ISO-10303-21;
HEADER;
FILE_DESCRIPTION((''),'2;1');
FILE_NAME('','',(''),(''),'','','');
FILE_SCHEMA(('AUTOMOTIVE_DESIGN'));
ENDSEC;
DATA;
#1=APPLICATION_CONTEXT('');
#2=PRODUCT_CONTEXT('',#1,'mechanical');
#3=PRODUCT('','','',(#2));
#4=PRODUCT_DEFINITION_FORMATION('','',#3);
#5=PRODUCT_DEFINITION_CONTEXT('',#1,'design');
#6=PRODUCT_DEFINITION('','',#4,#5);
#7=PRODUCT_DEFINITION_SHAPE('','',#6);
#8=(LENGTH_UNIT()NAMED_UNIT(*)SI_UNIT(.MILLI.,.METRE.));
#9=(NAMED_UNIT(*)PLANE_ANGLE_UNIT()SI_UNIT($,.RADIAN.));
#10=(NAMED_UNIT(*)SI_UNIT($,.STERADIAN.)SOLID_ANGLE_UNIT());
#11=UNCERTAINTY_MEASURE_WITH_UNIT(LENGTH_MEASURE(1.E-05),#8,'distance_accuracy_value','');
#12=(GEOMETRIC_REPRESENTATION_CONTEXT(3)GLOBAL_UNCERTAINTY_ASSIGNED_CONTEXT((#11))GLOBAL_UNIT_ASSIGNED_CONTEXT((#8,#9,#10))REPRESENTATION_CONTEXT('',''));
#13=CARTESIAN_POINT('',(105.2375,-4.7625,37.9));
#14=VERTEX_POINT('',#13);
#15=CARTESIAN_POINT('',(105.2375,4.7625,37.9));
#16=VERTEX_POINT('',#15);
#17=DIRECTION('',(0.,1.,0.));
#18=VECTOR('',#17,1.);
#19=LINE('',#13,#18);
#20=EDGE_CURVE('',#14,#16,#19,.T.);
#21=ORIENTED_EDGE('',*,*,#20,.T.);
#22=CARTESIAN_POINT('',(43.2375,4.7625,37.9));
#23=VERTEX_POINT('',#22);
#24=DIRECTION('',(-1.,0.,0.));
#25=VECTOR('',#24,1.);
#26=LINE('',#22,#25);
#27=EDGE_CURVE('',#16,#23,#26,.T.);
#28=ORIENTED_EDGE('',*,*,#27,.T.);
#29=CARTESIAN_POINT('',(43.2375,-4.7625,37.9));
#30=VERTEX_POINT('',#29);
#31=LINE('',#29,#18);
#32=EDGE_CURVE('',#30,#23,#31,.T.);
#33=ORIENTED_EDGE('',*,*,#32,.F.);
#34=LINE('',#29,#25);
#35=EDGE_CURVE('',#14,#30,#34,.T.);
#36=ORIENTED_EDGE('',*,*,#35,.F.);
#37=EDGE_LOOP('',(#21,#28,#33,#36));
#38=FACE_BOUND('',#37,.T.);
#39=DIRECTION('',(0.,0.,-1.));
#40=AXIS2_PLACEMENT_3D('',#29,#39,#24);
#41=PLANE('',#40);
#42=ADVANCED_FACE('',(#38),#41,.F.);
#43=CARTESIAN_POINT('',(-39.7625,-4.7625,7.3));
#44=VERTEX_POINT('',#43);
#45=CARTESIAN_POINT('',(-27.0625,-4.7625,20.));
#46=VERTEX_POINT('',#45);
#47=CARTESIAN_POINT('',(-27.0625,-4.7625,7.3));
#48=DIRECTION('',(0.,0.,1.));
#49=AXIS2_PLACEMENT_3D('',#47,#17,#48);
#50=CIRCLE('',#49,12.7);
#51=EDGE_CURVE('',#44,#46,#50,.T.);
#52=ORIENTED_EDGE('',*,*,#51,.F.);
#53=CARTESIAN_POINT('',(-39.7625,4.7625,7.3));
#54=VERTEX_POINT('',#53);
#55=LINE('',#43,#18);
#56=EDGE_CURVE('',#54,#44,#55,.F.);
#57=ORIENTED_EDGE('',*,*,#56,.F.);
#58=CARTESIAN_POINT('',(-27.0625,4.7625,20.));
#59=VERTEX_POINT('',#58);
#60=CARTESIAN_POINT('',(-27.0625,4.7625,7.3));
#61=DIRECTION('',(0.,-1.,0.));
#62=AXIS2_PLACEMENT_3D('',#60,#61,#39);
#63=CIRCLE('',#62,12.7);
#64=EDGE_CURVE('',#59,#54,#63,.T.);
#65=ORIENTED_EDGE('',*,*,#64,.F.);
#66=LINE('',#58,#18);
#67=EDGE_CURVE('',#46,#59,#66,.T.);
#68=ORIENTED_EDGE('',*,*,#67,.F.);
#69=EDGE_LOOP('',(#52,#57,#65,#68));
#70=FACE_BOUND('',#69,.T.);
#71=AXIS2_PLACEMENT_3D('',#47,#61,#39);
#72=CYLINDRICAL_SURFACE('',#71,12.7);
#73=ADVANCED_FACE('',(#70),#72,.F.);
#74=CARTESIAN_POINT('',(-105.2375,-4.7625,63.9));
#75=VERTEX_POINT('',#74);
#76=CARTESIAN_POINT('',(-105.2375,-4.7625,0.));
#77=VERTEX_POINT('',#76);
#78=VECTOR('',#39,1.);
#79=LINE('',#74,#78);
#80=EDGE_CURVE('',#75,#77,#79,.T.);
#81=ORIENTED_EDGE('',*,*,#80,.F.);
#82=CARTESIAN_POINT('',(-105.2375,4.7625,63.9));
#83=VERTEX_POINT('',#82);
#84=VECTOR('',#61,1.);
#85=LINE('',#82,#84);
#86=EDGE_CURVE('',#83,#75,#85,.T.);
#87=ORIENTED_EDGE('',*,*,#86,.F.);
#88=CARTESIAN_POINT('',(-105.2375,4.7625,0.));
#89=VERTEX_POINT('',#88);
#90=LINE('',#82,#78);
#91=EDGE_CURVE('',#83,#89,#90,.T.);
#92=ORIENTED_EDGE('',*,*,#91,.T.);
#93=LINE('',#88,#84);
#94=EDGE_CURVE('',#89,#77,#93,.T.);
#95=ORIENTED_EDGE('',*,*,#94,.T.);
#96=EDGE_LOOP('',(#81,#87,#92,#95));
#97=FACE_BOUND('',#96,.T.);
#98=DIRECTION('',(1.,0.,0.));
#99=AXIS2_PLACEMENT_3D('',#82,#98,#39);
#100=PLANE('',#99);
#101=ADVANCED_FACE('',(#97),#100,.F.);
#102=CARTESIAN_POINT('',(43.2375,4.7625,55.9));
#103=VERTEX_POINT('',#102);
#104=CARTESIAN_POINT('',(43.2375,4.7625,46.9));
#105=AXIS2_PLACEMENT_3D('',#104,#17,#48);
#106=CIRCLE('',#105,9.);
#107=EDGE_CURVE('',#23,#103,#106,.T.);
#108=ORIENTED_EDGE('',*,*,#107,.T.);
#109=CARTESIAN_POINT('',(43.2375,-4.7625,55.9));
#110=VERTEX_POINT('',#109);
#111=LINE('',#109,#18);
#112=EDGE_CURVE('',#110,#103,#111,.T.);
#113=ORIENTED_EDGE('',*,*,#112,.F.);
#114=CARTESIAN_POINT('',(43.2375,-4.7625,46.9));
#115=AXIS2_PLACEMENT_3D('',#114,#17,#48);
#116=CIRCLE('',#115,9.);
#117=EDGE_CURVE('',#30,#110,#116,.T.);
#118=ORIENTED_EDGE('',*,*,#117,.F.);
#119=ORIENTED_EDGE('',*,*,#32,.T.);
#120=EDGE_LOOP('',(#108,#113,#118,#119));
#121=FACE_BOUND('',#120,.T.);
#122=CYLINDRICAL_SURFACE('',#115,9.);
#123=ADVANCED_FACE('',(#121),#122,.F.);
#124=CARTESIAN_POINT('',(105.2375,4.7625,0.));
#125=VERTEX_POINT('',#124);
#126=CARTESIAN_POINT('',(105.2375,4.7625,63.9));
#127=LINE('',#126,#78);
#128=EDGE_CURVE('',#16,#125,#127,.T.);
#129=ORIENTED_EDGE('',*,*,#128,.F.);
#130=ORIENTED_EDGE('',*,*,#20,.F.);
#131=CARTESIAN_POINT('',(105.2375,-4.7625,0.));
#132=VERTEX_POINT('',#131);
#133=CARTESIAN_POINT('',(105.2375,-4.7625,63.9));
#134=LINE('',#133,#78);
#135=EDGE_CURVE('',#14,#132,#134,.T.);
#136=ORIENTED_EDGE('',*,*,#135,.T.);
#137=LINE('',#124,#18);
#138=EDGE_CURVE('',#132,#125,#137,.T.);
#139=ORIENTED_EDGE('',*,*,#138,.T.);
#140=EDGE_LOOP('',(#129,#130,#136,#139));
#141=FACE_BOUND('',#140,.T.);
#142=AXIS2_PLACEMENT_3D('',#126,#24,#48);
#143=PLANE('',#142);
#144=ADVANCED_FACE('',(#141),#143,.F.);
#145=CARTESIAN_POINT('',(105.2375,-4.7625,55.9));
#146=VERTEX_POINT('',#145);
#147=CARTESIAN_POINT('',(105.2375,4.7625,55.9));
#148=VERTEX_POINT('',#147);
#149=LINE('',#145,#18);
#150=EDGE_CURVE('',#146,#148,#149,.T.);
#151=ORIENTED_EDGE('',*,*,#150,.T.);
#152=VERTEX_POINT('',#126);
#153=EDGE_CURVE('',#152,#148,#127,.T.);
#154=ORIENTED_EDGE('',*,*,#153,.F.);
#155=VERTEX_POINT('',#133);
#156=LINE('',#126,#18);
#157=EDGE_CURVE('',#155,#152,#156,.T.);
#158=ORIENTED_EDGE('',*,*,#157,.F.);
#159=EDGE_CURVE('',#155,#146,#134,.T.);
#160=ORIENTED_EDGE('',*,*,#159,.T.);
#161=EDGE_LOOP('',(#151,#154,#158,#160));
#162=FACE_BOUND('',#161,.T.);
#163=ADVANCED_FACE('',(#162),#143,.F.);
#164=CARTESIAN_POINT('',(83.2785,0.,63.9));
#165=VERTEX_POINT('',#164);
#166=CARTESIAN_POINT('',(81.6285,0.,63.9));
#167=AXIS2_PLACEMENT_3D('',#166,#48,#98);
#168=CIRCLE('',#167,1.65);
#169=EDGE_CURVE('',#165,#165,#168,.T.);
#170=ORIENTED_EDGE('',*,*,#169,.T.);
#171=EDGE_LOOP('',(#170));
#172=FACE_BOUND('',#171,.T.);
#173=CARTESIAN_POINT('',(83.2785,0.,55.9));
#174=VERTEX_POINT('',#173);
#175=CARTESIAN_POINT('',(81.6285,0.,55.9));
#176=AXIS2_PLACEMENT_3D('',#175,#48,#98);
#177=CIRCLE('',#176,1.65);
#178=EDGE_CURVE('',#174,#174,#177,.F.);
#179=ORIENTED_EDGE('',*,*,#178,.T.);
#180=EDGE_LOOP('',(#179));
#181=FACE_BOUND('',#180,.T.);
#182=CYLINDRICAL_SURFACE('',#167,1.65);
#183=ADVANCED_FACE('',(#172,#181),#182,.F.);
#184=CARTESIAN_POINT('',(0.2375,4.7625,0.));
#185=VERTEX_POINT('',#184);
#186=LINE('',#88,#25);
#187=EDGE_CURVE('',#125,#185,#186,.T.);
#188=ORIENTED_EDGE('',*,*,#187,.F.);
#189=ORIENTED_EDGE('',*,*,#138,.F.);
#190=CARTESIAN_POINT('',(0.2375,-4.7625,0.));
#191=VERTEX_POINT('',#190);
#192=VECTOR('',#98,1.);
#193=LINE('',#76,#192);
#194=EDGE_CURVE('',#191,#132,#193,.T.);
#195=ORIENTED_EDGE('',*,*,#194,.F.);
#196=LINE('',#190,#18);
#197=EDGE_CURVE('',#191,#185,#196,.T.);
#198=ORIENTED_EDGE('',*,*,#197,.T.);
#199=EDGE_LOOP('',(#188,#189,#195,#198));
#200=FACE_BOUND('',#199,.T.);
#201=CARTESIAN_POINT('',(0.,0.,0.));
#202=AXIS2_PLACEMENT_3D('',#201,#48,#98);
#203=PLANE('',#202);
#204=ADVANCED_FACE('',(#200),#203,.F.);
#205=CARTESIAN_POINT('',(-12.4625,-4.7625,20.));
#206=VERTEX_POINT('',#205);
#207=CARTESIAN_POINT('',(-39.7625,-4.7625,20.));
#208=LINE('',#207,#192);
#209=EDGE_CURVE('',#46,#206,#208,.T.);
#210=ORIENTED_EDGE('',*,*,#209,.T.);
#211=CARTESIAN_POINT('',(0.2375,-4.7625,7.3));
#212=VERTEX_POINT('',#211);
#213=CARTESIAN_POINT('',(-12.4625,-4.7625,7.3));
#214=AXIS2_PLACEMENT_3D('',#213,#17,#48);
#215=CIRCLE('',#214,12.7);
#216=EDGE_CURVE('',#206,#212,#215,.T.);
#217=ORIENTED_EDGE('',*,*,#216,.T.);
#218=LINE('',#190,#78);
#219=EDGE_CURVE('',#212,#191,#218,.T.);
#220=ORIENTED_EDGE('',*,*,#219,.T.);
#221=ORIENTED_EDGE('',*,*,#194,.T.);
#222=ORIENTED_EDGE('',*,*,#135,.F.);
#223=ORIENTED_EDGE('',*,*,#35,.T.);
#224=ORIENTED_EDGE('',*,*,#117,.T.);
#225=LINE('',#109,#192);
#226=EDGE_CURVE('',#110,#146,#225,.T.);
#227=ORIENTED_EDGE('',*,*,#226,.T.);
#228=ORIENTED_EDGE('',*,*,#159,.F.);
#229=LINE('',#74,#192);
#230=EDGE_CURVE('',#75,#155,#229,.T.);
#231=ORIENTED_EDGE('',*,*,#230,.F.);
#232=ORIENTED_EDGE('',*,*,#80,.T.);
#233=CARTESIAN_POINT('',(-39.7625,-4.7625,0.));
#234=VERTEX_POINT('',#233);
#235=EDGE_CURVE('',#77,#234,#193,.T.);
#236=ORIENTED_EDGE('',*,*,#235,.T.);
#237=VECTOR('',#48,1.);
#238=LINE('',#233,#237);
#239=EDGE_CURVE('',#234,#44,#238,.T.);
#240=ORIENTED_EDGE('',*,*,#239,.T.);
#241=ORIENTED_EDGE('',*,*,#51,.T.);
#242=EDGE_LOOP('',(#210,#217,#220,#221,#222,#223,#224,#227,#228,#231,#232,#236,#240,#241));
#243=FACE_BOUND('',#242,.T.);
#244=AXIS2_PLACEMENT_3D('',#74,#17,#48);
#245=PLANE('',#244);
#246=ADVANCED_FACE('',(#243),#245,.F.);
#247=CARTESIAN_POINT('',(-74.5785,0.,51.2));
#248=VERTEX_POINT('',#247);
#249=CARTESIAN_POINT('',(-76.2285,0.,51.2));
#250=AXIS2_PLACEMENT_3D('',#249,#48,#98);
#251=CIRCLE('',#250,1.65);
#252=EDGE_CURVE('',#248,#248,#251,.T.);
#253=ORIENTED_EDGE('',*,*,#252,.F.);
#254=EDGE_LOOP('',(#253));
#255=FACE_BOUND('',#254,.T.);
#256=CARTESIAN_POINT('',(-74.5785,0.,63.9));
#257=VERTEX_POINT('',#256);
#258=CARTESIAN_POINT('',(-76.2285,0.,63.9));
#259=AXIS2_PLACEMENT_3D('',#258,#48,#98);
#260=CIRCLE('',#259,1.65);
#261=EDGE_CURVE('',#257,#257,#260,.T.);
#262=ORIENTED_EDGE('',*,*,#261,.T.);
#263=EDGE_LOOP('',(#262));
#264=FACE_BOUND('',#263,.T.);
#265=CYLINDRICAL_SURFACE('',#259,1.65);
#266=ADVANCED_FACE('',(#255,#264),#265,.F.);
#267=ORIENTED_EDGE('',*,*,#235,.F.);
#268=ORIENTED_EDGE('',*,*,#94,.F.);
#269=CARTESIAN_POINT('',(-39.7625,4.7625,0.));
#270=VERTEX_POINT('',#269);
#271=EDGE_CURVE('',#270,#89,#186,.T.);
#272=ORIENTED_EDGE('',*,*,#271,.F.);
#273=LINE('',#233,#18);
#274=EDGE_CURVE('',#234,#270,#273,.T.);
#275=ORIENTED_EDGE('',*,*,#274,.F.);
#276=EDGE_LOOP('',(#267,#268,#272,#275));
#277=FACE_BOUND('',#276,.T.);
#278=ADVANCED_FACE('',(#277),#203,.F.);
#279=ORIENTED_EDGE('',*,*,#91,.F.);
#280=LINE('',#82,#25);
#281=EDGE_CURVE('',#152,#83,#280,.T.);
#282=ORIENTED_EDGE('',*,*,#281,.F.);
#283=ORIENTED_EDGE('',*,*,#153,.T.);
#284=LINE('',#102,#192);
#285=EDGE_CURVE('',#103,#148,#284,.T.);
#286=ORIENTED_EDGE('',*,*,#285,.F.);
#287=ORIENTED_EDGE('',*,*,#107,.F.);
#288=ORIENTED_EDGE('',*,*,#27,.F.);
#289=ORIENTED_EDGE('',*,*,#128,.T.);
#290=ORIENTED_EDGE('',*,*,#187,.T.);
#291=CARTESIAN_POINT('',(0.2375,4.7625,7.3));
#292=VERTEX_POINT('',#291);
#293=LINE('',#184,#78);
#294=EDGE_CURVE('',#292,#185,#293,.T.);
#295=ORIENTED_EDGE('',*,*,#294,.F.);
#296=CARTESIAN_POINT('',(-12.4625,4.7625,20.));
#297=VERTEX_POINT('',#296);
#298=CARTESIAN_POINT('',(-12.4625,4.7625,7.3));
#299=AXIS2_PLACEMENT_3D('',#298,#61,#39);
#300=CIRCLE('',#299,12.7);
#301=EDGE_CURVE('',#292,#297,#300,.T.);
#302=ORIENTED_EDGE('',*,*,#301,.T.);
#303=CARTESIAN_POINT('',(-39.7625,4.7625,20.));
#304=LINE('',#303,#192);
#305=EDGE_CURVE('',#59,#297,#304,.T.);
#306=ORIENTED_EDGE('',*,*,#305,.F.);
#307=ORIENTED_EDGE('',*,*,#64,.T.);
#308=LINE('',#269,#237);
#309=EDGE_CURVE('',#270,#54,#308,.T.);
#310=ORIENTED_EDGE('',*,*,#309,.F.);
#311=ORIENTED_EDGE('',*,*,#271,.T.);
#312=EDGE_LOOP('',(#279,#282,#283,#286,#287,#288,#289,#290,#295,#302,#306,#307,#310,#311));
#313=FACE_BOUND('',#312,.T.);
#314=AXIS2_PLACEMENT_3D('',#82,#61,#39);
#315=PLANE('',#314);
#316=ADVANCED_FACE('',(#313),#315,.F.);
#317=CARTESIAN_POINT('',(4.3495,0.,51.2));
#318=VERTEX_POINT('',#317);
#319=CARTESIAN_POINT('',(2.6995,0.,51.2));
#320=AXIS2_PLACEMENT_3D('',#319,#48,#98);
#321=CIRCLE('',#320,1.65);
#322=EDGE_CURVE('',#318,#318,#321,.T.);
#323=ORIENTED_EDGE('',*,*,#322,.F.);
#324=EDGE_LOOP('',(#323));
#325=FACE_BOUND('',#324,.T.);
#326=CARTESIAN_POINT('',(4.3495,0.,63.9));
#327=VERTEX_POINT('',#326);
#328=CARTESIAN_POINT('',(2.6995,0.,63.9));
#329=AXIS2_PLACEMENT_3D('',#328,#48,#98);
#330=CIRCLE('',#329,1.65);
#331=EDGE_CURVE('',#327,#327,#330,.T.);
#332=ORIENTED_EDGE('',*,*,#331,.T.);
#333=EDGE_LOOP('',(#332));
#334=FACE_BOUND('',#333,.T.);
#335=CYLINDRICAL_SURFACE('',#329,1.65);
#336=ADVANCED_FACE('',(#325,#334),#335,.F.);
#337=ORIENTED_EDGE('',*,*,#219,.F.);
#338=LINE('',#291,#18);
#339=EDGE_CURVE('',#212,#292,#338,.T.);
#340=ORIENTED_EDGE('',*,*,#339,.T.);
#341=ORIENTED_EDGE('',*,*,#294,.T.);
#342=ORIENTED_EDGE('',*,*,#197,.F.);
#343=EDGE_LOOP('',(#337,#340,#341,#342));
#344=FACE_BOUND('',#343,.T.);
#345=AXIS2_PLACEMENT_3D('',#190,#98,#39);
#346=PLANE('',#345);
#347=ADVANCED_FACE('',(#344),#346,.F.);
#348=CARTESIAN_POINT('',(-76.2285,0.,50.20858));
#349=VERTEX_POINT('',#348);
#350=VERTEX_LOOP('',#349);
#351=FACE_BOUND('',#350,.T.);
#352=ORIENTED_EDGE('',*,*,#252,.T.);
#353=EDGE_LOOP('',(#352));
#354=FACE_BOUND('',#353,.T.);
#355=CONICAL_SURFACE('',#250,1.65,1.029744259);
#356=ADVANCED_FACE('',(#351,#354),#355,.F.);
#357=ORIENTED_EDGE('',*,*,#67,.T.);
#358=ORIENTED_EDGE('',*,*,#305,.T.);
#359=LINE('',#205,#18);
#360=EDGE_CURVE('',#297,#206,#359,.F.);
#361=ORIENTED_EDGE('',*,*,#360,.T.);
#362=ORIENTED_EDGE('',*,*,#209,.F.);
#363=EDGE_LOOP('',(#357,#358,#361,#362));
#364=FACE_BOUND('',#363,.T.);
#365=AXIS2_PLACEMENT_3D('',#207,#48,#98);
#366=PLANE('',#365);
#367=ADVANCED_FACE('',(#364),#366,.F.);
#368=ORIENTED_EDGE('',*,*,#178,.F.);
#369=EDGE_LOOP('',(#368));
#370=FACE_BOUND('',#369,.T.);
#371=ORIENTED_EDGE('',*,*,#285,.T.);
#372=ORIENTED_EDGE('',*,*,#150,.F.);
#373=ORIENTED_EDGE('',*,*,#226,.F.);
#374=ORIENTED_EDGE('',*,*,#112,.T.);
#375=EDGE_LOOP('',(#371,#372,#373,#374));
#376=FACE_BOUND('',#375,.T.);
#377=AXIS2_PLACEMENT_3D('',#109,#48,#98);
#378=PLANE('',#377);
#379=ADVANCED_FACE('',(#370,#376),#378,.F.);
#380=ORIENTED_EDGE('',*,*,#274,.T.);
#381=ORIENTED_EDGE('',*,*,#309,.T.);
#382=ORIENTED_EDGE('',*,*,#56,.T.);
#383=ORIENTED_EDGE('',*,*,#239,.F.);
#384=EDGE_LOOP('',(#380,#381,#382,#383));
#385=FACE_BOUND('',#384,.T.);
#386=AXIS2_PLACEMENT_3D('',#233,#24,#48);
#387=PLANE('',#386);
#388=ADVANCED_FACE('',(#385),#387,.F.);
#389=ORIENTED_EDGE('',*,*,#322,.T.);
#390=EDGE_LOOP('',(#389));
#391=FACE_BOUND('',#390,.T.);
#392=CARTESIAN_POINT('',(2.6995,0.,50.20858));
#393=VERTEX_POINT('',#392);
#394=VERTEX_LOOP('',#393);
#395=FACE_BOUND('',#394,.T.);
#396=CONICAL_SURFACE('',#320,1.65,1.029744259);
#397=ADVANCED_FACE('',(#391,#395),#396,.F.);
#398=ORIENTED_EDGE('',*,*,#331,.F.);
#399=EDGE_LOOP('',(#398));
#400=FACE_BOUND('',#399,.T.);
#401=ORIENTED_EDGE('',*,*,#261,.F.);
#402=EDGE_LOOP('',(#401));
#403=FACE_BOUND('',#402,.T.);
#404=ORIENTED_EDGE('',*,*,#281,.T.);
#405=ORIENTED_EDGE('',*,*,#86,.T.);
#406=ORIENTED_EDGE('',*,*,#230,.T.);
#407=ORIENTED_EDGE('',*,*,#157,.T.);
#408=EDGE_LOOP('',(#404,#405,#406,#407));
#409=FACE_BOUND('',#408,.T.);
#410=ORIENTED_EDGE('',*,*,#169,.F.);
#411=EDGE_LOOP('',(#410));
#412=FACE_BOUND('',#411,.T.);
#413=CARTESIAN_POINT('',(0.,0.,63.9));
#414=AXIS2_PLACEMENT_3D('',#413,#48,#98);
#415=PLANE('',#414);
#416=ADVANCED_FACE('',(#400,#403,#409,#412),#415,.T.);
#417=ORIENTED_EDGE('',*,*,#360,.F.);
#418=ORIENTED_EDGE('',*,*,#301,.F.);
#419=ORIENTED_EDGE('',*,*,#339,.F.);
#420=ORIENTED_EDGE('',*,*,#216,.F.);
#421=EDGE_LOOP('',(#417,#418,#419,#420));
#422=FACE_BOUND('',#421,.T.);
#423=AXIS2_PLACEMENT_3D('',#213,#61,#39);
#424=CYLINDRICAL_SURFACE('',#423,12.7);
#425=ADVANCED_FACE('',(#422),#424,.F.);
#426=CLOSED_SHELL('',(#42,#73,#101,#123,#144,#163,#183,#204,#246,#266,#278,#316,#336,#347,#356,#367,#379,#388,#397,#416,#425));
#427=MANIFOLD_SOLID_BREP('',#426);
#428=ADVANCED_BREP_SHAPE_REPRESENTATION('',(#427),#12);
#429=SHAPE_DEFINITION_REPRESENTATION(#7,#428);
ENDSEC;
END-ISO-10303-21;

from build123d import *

# Parameters (mm, degrees)
SKETCH1_W                   = 210.475
SKETCH1_H                   = 9.525
BOSS_EXTRUDE1_DEPTH         = 63.9
SKETCH2_W                   = 40
SKETCH2_H                   = 20
CUT_EXTRUDE1_DEPTH          = 10.525
FILLET1_R                   = 12.7
TAP_DRILL_FOR_M4_TAP1_D     = 3.3
TAP_DRILL_FOR_M4_TAP1_DEPTH = 12.7
TAP_DRILL_FOR_M4_TAP1_TIP   = 0.991420021
CUT_EXTRUDE2_DEPTH          = 10.525


with BuildPart() as part:
    # Sketch1 → Boss-Extrude1 (new body)
    with BuildSketch(Plane.XY):
        Rectangle(SKETCH1_W, SKETCH1_H)
    extrude(amount=BOSS_EXTRUDE1_DEPTH)

    # Sketch2 → Cut-Extrude1 (cut, through all)
    with BuildSketch(Plane(origin=(0, 4.7625, 0), x_dir=(1, 0, 0), z_dir=(0, 1, 0))):
        with Locations((-19.7625, -10)):
            Rectangle(SKETCH2_W, SKETCH2_H)
    extrude(amount=-CUT_EXTRUDE1_DEPTH, mode=Mode.SUBTRACT)

    # Fillet1
    fillet1_edges = [part.edges().sort_by_distance(p)[0] for p in [
        (-39.7625, 0, 20),
        (0.2375, 0, 20),
    ]]
    fillet(fillet1_edges, radius=FILLET1_R)

    # Tap Drill for M4 Tap1
    with Locations(Plane.XY.offset(63.9)):
        with Locations((-76.2285, 0), (2.6995, 0), (81.6285, 0)):
            Hole(TAP_DRILL_FOR_M4_TAP1_D / 2, depth=TAP_DRILL_FOR_M4_TAP1_DEPTH)
            with Locations((0, 0, -(TAP_DRILL_FOR_M4_TAP1_DEPTH + TAP_DRILL_FOR_M4_TAP1_TIP / 2))):  # 118° drill point
                Cone(0, TAP_DRILL_FOR_M4_TAP1_D / 2, TAP_DRILL_FOR_M4_TAP1_TIP, mode=Mode.SUBTRACT)

    # Sketch7 → Cut-Extrude2 (cut, through all)
    with BuildSketch(Plane(origin=(0, 4.7625, 0), x_dir=(1, 0, 0), z_dir=(0, 1, 0))):
        with BuildLine():
            Line((43.2375, -37.9), (105.2375, -37.9))
            Line((105.2375, -37.9), (105.2375, -55.9))
            Line((105.2375, -55.9), (43.2375, -55.9))
            ThreePointArc((43.2375, -55.9), (34.2375, -46.9), (43.2375, -37.9))
        make_face()
    extrude(amount=-CUT_EXTRUDE2_DEPTH, mode=Mode.SUBTRACT)


solid = part.part
